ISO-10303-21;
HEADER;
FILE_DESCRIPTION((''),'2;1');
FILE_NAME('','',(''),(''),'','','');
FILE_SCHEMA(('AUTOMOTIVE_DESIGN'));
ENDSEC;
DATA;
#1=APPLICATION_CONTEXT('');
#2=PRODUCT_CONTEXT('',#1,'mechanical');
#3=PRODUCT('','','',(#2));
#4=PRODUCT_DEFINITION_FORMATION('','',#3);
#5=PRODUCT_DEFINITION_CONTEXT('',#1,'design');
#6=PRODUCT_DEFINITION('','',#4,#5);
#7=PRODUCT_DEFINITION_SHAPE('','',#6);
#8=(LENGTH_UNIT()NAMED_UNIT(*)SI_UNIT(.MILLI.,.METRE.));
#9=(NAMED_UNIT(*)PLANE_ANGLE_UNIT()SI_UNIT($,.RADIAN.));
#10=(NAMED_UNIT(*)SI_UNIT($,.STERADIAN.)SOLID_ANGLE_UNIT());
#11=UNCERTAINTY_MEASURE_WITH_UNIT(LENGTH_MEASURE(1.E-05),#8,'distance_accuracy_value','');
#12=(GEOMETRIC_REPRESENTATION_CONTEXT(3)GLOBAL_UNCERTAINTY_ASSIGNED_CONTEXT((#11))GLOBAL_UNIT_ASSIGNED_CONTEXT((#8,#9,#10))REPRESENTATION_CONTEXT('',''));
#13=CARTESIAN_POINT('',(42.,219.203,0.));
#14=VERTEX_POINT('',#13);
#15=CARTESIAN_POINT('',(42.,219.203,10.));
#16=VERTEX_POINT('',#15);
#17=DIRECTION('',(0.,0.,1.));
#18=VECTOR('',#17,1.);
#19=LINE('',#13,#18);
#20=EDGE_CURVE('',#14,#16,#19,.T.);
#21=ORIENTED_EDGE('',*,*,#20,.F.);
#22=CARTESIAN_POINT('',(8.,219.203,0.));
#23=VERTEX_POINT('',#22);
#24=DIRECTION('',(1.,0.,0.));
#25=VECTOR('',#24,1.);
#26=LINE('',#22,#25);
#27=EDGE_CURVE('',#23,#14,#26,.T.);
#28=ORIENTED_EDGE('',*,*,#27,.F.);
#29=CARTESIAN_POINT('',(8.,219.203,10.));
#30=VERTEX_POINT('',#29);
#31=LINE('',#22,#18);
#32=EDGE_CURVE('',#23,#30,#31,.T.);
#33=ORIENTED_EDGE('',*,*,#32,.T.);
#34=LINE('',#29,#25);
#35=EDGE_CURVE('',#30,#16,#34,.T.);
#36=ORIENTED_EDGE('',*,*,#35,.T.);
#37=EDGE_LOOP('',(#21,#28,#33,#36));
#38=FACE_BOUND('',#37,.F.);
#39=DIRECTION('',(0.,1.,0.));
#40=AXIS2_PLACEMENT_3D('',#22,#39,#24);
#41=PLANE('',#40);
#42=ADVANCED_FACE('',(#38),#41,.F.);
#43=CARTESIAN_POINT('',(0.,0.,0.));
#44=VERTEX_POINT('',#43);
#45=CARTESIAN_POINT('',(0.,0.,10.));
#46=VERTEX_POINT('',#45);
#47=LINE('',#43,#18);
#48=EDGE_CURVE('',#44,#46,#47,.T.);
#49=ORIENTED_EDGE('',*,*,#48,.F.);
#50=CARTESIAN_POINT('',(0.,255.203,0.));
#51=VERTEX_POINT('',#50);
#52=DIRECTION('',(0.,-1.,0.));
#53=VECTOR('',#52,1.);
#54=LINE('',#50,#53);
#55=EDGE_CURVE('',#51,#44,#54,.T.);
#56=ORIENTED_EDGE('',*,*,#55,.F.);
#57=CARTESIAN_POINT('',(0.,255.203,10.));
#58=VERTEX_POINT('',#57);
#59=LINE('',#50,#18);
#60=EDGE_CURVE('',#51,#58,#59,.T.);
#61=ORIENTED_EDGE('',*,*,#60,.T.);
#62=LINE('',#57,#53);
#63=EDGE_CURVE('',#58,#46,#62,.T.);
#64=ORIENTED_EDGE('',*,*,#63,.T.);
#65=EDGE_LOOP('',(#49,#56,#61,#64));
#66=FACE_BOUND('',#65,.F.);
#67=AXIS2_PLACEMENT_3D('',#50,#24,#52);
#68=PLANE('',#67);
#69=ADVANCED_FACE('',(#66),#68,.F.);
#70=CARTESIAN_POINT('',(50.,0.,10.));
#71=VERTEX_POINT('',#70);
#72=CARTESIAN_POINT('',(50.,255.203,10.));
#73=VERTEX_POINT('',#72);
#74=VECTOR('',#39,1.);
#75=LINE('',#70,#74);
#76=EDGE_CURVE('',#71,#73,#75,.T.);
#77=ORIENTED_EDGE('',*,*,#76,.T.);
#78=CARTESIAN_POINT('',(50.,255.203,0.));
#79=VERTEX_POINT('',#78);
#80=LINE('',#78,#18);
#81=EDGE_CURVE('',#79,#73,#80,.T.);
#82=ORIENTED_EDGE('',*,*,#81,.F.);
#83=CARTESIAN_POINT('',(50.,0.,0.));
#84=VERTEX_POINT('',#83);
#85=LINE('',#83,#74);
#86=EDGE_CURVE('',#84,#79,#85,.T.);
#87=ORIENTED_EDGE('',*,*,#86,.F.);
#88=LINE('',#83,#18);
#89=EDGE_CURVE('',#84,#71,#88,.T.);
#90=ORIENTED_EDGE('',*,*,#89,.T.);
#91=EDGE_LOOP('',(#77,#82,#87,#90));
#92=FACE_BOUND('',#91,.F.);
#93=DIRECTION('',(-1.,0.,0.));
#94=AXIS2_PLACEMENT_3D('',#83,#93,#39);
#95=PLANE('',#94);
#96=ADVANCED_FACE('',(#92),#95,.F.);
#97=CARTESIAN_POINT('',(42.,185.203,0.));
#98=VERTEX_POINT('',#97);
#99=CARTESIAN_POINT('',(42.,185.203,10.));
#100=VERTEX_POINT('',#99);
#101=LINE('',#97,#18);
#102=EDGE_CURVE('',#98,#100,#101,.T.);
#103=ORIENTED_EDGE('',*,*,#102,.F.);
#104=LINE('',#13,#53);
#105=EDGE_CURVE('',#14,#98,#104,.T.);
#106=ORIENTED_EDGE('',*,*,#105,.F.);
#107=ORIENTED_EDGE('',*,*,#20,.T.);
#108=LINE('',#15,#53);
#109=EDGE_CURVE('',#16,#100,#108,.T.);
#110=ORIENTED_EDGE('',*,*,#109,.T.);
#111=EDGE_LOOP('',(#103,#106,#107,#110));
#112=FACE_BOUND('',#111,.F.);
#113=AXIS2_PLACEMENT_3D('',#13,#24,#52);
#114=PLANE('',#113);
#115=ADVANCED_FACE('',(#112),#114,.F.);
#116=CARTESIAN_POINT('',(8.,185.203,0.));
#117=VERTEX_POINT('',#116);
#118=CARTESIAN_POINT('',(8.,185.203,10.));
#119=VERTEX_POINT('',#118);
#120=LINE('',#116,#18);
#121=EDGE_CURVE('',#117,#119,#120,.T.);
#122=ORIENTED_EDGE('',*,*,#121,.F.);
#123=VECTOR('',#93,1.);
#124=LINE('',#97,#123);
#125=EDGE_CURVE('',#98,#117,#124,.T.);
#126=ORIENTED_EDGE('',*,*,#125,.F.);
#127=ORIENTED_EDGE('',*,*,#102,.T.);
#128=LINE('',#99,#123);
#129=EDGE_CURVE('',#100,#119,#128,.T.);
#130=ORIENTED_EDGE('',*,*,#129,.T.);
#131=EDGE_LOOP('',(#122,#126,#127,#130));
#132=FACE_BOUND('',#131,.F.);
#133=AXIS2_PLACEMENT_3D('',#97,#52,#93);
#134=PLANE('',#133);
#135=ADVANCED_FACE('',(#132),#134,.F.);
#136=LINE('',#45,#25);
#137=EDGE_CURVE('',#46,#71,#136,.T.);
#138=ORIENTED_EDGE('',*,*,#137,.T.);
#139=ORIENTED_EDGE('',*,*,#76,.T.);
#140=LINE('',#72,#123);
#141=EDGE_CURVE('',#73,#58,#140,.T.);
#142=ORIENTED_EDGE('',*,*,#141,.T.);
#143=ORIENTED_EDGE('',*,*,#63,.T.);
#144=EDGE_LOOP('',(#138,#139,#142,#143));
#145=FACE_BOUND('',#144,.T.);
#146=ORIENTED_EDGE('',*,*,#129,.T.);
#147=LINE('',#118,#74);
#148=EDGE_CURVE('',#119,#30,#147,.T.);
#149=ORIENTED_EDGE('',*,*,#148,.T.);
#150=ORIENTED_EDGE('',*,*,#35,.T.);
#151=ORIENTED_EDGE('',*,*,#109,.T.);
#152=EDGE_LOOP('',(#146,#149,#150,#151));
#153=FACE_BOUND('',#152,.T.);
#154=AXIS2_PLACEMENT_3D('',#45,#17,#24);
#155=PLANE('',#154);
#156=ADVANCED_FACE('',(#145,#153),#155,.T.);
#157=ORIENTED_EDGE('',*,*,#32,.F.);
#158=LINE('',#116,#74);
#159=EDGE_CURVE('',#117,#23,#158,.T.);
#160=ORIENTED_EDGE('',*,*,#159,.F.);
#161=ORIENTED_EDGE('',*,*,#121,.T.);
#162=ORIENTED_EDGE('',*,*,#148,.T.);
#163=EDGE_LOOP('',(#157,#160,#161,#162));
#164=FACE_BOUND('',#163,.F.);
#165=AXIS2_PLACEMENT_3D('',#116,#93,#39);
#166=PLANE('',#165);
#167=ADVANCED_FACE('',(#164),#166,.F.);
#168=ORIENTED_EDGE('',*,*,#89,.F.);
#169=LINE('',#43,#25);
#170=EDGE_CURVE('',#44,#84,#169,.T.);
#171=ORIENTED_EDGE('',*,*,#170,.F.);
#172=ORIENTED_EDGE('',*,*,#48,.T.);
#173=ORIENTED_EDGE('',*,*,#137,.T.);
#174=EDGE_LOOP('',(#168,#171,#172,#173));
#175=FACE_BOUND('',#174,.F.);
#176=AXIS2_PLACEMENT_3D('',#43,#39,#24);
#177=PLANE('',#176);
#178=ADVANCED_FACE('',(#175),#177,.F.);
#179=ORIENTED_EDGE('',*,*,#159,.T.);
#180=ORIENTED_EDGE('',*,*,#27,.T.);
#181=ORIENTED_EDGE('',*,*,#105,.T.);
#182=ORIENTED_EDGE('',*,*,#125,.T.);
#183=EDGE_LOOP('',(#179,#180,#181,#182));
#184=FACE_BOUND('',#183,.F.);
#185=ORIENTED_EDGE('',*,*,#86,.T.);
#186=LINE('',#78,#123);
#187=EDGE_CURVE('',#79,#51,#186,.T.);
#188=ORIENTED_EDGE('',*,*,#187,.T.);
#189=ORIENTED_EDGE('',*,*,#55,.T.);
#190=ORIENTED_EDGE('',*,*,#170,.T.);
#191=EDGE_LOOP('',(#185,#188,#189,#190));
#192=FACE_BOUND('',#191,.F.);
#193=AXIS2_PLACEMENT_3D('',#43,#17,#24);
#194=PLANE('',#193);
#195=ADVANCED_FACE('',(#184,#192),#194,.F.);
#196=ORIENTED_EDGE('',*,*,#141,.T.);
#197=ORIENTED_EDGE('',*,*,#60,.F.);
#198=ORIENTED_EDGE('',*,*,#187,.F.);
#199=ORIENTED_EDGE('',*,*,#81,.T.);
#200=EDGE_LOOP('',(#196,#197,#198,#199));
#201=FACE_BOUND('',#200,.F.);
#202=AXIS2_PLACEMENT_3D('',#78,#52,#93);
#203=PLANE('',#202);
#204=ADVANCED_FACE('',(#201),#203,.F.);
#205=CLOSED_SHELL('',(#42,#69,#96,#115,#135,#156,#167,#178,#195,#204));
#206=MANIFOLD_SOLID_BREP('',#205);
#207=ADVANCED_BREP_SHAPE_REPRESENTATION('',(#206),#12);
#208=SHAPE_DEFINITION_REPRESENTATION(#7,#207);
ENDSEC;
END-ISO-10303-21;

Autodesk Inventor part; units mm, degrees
ref_plane "YZ Plane" through (0, 0, 0) normal (1, 0, 0) x (0, 1, 0)
ref_plane "XZ Plane" through (0, 0, 0) normal (0, 1, 0) x (-1, 0, 0)
ref_plane "XY Plane" through (0, 0, 0) normal (0, 0, 1) x (1, 0, 0)
sketch "Sketch1" plane through (0, 0, 0) normal (0, 0, 1) x (1, 0, 0)
  line L0 (0, 0) -> (50, 0)
  line L1 (50, 0) -> (50, 255.203)
  line L2 (50, 255.203) -> (0, 255.203)
  line L3 (0, 255.203) -> (0, 0)
  line L4 (8, 219.203) -> (42, 219.203)
  line L5 (42, 219.203) -> (42, 185.203)
  line L6 (42, 185.203) -> (8, 185.203)
  line L7 (8, 185.203) -> (8, 219.203)
  point P0 (25, 255.203)
  dimension "d0" = 50
  dimension "d1" = 255.203
  dimension "d8" = 34
  dimension "d9" = 34
  dimension "d10" = 8
  dimension "d11" = 36
extrude "Extrusion1" add sketch "Sketch1" along normal blind 10
properties part number "partttt"
